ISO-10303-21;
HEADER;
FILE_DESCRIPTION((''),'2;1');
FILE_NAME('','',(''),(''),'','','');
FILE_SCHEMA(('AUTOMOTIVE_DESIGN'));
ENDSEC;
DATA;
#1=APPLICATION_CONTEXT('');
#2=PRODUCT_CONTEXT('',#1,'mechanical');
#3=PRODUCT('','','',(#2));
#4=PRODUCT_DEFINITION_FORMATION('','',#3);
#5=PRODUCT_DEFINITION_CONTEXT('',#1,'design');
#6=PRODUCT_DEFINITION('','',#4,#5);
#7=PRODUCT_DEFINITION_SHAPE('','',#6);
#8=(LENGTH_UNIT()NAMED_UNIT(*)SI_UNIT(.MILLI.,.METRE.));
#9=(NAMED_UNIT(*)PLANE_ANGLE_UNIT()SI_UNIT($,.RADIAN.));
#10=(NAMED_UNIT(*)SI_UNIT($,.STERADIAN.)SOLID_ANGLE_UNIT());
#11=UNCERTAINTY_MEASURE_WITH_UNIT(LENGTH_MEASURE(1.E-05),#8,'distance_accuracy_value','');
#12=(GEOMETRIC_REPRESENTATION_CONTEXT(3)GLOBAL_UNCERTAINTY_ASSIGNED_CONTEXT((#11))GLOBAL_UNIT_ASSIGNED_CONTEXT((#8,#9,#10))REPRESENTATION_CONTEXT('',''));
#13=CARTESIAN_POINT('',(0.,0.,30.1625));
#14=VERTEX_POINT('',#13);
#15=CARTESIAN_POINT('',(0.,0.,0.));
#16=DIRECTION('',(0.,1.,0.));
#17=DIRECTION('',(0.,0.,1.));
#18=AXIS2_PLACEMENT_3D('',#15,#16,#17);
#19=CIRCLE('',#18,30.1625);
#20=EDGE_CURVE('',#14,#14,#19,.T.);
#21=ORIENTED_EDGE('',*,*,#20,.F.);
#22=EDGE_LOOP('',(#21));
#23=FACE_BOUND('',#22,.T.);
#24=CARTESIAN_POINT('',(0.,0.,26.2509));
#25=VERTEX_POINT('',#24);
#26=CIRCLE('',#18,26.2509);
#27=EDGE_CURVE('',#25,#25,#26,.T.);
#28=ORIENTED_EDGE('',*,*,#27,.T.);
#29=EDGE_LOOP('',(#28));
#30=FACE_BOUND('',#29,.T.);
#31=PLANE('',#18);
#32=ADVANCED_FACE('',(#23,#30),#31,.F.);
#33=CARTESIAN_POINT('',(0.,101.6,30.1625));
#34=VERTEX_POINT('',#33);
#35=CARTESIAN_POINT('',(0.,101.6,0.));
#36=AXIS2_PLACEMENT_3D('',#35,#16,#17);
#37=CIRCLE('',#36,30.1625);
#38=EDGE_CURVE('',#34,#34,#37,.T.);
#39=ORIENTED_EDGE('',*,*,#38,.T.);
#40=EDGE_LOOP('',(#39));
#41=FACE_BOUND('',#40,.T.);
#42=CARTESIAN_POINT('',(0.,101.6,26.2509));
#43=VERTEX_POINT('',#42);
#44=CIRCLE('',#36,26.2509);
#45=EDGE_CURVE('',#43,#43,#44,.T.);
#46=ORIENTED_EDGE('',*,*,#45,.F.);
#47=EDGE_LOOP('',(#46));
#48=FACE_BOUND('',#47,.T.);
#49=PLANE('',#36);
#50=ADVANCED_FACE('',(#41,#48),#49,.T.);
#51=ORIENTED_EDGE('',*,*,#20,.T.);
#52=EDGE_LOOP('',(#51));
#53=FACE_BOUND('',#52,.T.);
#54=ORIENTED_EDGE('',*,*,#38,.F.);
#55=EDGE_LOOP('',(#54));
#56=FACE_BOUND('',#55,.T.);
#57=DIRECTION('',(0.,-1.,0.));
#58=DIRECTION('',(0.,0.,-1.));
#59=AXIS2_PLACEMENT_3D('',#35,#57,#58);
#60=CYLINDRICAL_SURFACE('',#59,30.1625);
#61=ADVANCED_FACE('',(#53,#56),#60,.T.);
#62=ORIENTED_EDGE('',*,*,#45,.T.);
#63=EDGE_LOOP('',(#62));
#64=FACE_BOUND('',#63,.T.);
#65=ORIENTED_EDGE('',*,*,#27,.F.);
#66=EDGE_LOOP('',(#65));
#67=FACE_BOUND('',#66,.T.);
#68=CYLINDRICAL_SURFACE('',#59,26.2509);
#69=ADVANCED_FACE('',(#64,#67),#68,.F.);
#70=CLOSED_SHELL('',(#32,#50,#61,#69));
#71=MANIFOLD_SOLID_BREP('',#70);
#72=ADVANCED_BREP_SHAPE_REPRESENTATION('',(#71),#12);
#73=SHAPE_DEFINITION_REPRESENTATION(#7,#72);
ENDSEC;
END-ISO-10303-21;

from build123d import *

# Parameters (mm, degrees)
SKETCH1_R   = 30.1625
SKETCH1_R_2 = 26.2509


with BuildPart() as part:
    # Sweep1: sweep along a path in Sketch2
    with BuildLine(Plane(origin=(0, 0, 0), x_dir=(0, 0, -1), z_dir=(1, 0, 0))) as sweep1_path:
        Line((0, 0), (0, 101.6))
    # Sketch1 → Sweep1 (sweep)
    with BuildSketch(Plane(origin=(0, 0, 0), x_dir=(1, 0, 0), z_dir=(0, 1, 0))):
        Circle(SKETCH1_R)
        Circle(SKETCH1_R_2, mode=Mode.SUBTRACT)
    sweep(path=sweep1_path.line)


solid = part.part
